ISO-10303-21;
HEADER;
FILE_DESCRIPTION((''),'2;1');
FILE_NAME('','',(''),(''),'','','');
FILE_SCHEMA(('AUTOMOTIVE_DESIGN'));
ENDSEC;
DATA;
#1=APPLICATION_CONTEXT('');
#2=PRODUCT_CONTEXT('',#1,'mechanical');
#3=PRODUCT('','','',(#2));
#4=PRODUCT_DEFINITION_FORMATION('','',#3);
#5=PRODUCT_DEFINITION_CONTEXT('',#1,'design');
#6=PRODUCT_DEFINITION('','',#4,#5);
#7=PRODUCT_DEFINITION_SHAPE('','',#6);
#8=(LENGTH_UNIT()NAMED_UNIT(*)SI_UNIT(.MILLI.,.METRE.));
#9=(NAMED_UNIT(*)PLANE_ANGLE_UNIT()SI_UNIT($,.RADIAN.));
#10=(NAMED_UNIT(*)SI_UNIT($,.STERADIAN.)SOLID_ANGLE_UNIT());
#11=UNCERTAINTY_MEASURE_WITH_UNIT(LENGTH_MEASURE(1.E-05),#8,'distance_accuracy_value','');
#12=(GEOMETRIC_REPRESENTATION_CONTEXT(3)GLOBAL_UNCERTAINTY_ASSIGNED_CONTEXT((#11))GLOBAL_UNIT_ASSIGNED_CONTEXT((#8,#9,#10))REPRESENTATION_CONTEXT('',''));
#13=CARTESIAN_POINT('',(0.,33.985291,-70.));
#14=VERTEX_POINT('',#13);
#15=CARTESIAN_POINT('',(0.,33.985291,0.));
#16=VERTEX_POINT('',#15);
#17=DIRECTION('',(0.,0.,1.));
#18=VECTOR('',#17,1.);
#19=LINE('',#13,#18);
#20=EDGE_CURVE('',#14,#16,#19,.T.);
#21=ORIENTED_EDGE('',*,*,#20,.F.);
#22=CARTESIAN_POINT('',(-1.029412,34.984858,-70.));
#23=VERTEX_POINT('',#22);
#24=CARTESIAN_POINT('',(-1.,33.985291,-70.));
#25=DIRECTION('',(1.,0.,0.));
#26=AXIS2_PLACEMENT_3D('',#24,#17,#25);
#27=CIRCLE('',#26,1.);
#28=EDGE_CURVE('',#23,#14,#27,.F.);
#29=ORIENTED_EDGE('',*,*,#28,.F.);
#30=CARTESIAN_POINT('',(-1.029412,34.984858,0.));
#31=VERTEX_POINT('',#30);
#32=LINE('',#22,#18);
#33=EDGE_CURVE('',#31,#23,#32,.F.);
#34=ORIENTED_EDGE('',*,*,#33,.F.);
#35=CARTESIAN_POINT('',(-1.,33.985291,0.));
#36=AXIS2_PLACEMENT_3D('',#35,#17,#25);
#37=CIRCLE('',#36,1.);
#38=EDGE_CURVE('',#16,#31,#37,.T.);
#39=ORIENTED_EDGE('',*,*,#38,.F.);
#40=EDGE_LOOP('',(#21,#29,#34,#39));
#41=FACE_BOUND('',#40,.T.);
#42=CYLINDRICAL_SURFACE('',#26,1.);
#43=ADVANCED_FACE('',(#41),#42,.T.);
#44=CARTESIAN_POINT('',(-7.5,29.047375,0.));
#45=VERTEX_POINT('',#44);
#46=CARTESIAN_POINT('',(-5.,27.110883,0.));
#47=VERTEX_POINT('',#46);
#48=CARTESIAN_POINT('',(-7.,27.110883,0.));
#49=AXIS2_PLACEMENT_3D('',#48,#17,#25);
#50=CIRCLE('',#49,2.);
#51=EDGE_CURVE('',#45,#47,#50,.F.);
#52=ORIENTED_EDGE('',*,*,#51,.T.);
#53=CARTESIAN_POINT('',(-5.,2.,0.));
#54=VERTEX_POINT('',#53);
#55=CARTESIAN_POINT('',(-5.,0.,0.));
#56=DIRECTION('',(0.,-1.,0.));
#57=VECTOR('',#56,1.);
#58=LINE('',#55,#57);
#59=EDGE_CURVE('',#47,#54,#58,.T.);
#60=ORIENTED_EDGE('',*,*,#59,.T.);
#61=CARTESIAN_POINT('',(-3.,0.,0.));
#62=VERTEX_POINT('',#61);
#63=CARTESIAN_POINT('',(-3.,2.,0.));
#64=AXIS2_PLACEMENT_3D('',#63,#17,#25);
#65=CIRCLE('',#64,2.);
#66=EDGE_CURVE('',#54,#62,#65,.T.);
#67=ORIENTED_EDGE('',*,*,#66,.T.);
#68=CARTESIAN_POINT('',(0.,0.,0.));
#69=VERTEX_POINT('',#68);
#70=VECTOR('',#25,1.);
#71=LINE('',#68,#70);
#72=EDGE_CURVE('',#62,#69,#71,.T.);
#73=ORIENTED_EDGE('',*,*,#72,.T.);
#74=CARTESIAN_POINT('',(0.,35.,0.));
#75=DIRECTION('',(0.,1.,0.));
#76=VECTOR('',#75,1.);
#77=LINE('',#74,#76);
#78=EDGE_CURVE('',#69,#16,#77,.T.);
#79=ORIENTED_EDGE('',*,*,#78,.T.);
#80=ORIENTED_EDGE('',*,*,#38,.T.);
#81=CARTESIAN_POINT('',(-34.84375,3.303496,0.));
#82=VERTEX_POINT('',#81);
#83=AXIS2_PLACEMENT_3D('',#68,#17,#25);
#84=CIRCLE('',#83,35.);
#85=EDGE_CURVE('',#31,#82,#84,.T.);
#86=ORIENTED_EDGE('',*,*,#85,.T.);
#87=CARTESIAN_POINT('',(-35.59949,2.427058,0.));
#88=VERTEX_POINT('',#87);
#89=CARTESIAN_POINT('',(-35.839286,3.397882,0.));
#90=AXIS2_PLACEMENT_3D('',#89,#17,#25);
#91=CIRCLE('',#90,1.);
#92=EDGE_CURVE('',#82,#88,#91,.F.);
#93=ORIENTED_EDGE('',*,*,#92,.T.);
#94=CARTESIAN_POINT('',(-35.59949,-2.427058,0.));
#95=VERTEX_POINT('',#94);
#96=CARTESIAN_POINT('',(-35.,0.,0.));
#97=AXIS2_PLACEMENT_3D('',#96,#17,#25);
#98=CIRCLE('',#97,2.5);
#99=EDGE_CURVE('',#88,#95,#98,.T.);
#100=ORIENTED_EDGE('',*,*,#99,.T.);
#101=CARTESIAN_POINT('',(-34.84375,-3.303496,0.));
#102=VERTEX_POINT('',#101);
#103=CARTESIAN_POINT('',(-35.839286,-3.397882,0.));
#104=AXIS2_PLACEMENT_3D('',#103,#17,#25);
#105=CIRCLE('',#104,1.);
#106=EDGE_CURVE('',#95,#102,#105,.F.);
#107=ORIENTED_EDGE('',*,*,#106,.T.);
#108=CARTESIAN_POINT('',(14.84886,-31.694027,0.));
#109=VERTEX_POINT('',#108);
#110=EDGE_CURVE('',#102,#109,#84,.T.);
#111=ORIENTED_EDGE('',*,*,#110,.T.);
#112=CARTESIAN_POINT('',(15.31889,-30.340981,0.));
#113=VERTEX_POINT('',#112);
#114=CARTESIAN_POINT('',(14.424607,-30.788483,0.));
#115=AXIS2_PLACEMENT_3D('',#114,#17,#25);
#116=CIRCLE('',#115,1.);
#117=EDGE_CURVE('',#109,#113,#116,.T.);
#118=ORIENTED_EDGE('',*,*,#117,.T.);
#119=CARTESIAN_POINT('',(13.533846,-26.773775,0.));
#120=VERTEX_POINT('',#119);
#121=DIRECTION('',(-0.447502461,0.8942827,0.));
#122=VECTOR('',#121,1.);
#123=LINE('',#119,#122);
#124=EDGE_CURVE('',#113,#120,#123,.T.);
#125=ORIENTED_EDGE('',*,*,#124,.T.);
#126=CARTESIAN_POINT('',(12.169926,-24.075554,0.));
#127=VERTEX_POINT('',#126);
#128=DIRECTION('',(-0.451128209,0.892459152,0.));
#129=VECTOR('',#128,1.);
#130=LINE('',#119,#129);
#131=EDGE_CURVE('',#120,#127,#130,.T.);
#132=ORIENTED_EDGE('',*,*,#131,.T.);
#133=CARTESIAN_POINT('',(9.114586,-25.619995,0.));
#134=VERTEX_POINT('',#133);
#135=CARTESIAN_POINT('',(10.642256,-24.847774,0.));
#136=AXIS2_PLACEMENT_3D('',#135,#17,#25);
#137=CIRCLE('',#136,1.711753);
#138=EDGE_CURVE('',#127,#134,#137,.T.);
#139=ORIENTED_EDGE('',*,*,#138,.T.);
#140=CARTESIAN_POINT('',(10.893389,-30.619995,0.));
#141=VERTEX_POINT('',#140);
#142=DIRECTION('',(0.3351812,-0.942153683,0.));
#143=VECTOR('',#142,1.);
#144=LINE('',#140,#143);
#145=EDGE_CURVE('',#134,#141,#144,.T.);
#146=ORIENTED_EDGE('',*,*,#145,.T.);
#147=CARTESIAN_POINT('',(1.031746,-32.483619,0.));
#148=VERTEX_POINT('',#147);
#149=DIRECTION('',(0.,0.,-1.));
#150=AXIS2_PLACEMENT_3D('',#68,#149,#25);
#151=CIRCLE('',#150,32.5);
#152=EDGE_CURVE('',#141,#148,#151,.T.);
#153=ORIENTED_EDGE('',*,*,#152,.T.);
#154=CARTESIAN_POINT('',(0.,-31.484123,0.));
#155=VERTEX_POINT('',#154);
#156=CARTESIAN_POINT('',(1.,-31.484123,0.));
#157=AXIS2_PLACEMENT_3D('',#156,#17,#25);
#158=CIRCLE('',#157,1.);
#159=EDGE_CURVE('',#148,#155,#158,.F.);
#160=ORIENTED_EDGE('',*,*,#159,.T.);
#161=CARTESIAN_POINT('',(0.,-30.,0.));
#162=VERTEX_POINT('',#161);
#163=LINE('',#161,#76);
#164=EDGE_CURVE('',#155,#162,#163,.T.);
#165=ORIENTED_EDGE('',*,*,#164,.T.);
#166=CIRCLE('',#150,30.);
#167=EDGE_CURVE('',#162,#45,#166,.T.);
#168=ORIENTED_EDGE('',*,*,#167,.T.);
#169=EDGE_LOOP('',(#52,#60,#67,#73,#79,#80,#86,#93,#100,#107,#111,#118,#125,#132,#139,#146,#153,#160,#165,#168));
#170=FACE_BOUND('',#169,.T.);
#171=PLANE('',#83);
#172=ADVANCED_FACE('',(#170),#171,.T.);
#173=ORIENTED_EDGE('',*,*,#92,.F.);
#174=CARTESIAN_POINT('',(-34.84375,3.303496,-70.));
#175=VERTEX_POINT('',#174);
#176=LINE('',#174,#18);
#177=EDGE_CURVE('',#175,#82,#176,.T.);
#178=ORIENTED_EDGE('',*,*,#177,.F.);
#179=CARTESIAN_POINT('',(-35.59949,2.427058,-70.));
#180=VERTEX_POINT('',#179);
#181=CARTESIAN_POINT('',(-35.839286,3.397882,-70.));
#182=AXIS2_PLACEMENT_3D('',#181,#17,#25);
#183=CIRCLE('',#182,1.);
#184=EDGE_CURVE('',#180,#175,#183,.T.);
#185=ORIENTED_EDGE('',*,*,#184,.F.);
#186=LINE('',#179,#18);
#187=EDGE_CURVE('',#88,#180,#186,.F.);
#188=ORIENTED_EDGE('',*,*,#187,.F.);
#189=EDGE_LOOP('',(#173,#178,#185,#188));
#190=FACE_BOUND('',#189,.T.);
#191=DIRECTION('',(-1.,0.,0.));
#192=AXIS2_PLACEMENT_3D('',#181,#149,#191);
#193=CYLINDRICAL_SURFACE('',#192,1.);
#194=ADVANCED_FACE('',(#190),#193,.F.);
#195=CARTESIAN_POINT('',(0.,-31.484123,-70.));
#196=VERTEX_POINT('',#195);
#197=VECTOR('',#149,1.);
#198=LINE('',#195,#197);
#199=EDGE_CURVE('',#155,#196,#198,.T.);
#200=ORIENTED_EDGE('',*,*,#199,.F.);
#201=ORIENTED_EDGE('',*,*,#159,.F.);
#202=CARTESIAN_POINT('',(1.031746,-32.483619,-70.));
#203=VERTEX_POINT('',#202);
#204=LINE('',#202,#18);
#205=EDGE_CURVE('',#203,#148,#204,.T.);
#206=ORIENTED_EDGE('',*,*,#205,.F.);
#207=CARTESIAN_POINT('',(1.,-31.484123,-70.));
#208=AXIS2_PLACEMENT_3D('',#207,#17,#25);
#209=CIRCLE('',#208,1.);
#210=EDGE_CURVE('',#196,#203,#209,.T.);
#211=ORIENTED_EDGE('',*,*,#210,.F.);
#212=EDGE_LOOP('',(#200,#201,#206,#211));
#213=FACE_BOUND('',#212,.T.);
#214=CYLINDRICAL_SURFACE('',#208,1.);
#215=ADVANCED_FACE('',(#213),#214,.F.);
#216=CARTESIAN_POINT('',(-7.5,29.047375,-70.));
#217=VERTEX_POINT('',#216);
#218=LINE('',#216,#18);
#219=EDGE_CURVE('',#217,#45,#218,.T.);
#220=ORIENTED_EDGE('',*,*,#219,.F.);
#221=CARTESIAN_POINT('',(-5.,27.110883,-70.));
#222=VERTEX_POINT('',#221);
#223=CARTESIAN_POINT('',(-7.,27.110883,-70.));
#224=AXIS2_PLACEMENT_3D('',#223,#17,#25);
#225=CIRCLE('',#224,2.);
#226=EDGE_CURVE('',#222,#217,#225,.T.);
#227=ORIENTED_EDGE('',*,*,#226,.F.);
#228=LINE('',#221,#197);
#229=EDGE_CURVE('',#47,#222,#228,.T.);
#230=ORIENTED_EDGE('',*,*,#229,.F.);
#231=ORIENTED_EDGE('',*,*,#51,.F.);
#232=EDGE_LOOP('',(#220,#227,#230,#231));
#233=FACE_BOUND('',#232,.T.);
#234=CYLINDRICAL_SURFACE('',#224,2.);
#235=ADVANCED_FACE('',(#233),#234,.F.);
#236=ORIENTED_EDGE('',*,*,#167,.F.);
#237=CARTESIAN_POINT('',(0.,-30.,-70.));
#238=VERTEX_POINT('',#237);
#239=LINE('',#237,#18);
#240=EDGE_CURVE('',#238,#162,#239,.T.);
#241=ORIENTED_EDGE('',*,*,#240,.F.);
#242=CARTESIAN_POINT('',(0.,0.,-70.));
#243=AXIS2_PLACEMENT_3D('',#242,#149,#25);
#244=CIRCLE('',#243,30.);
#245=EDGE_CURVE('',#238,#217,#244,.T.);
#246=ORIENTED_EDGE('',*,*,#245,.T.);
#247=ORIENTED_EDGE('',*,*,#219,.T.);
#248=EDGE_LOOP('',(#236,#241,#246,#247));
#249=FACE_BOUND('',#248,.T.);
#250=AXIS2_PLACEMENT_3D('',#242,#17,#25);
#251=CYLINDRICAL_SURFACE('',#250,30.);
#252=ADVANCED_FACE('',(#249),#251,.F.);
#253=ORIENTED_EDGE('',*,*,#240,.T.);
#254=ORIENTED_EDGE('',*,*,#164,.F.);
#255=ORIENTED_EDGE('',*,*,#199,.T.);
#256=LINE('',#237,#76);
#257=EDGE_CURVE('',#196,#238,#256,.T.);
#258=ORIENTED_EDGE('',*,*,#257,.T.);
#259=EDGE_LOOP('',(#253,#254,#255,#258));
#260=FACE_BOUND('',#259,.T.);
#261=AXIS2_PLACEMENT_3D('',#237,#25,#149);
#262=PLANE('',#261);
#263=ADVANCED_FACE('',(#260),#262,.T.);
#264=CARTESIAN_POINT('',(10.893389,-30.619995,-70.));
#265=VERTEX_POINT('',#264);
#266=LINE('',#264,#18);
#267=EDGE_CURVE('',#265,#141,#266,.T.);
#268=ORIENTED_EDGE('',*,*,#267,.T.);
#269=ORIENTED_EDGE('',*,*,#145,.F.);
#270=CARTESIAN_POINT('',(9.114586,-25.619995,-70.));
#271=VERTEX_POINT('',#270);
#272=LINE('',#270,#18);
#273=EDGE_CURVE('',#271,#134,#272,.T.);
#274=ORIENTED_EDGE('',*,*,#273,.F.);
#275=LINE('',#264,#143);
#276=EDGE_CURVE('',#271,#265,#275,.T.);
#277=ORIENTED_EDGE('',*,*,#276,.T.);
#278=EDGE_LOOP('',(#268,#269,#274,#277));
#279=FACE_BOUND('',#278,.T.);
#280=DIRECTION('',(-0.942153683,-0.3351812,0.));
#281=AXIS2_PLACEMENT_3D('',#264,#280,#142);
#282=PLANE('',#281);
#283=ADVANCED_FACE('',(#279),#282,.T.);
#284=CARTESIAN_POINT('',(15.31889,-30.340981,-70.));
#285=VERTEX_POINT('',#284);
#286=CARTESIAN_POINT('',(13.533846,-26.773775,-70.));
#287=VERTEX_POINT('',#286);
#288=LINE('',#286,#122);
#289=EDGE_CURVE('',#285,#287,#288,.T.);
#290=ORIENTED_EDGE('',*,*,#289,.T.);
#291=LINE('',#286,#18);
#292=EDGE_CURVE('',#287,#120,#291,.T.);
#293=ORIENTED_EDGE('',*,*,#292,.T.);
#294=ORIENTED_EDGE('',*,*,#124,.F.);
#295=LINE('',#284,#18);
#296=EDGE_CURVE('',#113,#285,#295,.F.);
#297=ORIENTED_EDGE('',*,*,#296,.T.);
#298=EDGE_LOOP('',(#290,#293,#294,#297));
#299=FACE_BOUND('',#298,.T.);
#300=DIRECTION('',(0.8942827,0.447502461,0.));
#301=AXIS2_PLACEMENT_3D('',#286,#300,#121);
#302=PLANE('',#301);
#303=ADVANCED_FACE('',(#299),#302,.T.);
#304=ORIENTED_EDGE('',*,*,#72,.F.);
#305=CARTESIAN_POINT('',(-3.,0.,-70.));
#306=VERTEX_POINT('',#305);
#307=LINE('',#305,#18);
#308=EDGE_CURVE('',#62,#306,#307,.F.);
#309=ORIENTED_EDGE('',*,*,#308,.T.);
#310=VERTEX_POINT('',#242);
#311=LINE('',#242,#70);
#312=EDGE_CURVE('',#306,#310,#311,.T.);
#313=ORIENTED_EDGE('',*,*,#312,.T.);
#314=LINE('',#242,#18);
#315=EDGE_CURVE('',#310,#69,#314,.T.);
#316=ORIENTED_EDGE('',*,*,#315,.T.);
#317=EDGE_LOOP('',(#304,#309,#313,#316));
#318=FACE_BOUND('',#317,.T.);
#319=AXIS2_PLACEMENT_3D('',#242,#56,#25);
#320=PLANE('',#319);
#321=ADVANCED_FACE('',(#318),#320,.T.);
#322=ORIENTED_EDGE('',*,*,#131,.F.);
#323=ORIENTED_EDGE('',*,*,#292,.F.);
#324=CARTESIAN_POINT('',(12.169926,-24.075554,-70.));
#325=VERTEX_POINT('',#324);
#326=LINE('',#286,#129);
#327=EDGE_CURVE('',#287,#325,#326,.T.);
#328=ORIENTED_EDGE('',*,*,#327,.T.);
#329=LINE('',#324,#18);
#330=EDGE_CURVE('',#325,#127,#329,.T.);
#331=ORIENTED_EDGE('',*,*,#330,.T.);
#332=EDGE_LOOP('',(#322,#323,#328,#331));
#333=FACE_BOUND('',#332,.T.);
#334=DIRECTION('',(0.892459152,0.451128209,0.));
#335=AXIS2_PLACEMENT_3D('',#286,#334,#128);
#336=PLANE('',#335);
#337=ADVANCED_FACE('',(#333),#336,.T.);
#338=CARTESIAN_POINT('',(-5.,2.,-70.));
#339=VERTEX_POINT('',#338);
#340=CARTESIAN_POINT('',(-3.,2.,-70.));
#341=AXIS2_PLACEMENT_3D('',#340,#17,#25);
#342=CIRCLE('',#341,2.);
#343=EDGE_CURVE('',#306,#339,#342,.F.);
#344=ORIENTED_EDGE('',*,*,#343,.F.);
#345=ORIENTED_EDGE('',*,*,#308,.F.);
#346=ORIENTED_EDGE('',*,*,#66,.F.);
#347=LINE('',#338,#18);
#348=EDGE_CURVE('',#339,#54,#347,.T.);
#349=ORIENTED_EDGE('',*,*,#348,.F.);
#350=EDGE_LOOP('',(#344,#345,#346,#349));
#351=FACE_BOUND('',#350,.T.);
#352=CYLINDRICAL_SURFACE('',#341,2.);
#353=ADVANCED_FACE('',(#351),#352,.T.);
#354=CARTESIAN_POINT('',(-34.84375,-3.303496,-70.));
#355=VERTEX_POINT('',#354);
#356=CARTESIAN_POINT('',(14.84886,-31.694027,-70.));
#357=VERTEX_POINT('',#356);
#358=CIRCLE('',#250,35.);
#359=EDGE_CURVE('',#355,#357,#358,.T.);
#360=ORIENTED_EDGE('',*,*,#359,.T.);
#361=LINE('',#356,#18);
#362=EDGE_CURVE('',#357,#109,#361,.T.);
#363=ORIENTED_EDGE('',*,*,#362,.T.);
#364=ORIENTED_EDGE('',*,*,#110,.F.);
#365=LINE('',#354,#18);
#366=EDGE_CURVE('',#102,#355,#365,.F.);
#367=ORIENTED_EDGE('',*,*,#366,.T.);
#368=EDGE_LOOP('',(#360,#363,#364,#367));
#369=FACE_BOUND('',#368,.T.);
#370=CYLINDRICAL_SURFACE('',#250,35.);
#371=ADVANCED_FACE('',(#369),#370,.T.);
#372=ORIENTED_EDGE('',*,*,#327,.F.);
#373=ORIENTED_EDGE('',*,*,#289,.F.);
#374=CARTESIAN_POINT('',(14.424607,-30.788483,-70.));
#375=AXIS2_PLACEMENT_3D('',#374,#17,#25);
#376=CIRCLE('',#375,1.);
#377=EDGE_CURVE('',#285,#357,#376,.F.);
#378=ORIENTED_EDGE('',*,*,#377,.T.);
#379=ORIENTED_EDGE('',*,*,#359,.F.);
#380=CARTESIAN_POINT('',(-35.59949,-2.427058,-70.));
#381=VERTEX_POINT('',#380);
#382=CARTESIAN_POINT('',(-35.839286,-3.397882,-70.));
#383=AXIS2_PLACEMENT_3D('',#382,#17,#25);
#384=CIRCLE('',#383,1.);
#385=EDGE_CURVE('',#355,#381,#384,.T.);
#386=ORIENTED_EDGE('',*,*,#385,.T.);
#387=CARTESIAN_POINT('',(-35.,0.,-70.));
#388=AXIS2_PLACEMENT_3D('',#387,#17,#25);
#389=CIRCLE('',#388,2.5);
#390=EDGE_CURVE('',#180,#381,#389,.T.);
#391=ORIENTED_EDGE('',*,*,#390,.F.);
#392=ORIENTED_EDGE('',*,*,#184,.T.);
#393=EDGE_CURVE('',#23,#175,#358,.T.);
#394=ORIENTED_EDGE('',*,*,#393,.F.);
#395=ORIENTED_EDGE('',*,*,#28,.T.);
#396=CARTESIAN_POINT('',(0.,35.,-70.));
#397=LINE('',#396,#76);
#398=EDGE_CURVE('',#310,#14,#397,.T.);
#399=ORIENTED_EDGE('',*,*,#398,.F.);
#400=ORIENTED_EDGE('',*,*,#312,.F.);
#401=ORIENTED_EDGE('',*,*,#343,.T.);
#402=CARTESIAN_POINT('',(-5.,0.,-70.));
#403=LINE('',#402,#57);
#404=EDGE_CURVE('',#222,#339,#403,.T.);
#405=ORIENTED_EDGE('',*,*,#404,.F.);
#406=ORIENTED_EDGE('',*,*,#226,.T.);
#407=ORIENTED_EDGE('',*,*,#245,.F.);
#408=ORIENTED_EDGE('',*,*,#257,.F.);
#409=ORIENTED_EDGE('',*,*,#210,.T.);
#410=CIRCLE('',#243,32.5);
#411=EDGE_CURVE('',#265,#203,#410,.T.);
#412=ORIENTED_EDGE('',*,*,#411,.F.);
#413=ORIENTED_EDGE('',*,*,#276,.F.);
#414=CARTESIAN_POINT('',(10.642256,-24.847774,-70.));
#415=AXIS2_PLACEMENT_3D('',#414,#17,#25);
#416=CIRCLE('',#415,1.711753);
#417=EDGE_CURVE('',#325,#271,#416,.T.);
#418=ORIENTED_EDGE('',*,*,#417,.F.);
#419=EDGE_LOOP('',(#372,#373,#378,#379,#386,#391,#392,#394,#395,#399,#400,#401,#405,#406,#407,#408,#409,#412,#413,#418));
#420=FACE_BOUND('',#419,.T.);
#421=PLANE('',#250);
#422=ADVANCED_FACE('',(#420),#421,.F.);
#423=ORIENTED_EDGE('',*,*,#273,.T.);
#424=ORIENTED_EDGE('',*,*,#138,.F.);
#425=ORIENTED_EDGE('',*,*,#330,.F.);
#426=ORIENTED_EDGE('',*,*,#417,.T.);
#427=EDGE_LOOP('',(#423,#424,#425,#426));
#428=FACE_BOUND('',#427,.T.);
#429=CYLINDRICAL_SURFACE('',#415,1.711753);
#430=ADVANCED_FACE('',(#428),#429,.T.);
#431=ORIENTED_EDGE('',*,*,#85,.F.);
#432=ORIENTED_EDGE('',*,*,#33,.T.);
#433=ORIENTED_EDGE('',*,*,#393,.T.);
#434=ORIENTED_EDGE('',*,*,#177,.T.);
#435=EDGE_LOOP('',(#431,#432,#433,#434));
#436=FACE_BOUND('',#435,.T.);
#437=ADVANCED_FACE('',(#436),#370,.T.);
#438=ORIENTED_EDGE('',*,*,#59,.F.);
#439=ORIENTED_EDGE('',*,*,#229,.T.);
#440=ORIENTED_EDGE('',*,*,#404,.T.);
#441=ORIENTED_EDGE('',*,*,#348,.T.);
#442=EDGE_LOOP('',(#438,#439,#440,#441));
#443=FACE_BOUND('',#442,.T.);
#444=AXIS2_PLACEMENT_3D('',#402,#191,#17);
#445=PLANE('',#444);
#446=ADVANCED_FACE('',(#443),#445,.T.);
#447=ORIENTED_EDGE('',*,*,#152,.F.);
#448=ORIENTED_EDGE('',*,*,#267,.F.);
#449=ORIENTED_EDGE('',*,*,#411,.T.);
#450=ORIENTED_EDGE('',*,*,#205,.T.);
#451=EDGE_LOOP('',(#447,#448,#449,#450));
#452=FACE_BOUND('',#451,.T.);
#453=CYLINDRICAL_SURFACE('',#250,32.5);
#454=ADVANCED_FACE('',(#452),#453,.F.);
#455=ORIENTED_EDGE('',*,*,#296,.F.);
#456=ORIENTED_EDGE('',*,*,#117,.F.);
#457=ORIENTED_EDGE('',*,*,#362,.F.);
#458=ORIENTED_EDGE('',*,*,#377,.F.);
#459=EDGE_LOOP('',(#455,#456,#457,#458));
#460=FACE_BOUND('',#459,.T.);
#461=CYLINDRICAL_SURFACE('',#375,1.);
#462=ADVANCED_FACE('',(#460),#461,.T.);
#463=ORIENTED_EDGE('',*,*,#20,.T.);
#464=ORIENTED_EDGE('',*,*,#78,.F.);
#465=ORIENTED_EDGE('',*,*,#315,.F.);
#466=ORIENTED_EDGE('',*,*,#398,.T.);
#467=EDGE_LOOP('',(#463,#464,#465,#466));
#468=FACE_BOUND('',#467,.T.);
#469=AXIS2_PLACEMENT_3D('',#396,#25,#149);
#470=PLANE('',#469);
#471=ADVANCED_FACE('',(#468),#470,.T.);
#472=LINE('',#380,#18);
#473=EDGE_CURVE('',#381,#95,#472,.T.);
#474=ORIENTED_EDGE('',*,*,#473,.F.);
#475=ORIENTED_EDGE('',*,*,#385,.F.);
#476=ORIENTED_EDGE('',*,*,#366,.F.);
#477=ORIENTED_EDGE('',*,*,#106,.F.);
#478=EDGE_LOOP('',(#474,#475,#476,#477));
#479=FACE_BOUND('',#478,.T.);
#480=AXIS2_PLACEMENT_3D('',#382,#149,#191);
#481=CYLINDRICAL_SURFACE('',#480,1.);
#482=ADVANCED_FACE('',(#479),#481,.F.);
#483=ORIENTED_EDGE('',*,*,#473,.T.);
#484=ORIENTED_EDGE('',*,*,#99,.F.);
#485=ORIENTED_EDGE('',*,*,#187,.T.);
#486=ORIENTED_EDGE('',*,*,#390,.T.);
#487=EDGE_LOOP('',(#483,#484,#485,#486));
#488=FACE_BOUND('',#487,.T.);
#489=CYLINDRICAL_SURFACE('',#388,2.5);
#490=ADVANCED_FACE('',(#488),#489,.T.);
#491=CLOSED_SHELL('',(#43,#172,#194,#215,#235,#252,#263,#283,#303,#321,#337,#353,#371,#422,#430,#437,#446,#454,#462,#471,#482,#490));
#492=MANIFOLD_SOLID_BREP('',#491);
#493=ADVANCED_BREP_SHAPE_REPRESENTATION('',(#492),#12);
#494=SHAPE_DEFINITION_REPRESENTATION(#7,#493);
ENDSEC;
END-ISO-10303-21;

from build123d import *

# Parameters (mm, degrees)
BOSS_EXTRUDE1_DEPTH = 70
FILLET1_R           = 2
FILLET2_R           = 2
FILLET3_R           = 1
FILLET4_R           = 1
FILLET5_R           = 1
FILLET6_R           = 1


with BuildPart() as part:
    # Sketch1 → Boss-Extrude1 (new body)
    with BuildSketch(Plane.XY):
        with BuildLine():
            Line((0, 35), (0, 0))
            Line((0, 0), (-5, 0))
            Line((-5, 0), (-5, 29.580398915))
            ThreePointArc((-5, 29.580398915), (-29.894915684, -2.508787808), (0, -30))
            Line((0, -30), (0, -32.5))
            ThreePointArc((0, -32.5), (5.527213221, -32.026550142), (10.893389008, -30.619994708))
            Line((10.893389008, -30.619994708), (9.114585792, -25.619994708))
            ThreePointArc((9.114585792, -25.619994708), (9.870035541, -23.320104454), (12.169925795, -24.075554203))
            Line((12.169925795, -24.075554203), (13.533846284, -26.773774571))
            Line((13.533846284, -26.773774571), (15.771374385, -31.245219635))
            ThreePointArc((15.771374385, -31.245219635), (-17.267698729, -30.443826642), (-34.910714286, -2.498405104))
            ThreePointArc((-34.910714286, -2.498405104), (-37.5, 0), (-34.910714286, 2.498405104))
            ThreePointArc((-34.910714286, 2.498405104), (-23.849065195, 25.616832148), (0, 35))
        make_face()
    extrude(amount=-BOSS_EXTRUDE1_DEPTH)

    # Fillet1
    fillet1_edges = [part.edges().sort_by_distance(p)[0] for p in [
        (-5, 0, -35),
    ]]
    fillet(fillet1_edges, radius=FILLET1_R)

    # Fillet2
    fillet2_edges = [part.edges().sort_by_distance(p)[0] for p in [
        (-5, 29.580398915, -35),
    ]]
    fillet(fillet2_edges, radius=FILLET2_R)

    # Fillet3
    fillet3_edges = [part.edges().sort_by_distance(p)[0] for p in [
        (0, -32.5, -35),
    ]]
    fillet(fillet3_edges, radius=FILLET3_R)

    # Fillet4
    fillet4_edges = [part.edges().sort_by_distance(p)[0] for p in [
        (15.771374385, -31.245219635, -35),
    ]]
    fillet(fillet4_edges, radius=FILLET4_R)

    # Fillet5
    fillet5_edges = [part.edges().sort_by_distance(p)[0] for p in [
        (-34.910714286, -2.498405104, -35),
        (-34.910714286, 2.498405104, -35),
    ]]
    fillet(fillet5_edges, radius=FILLET5_R)

    # Fillet6
    fillet6_edges = [part.edges().sort_by_distance(p)[0] for p in [
        (0, 35, -35),
    ]]
    fillet(fillet6_edges, radius=FILLET6_R)


solid = part.part
